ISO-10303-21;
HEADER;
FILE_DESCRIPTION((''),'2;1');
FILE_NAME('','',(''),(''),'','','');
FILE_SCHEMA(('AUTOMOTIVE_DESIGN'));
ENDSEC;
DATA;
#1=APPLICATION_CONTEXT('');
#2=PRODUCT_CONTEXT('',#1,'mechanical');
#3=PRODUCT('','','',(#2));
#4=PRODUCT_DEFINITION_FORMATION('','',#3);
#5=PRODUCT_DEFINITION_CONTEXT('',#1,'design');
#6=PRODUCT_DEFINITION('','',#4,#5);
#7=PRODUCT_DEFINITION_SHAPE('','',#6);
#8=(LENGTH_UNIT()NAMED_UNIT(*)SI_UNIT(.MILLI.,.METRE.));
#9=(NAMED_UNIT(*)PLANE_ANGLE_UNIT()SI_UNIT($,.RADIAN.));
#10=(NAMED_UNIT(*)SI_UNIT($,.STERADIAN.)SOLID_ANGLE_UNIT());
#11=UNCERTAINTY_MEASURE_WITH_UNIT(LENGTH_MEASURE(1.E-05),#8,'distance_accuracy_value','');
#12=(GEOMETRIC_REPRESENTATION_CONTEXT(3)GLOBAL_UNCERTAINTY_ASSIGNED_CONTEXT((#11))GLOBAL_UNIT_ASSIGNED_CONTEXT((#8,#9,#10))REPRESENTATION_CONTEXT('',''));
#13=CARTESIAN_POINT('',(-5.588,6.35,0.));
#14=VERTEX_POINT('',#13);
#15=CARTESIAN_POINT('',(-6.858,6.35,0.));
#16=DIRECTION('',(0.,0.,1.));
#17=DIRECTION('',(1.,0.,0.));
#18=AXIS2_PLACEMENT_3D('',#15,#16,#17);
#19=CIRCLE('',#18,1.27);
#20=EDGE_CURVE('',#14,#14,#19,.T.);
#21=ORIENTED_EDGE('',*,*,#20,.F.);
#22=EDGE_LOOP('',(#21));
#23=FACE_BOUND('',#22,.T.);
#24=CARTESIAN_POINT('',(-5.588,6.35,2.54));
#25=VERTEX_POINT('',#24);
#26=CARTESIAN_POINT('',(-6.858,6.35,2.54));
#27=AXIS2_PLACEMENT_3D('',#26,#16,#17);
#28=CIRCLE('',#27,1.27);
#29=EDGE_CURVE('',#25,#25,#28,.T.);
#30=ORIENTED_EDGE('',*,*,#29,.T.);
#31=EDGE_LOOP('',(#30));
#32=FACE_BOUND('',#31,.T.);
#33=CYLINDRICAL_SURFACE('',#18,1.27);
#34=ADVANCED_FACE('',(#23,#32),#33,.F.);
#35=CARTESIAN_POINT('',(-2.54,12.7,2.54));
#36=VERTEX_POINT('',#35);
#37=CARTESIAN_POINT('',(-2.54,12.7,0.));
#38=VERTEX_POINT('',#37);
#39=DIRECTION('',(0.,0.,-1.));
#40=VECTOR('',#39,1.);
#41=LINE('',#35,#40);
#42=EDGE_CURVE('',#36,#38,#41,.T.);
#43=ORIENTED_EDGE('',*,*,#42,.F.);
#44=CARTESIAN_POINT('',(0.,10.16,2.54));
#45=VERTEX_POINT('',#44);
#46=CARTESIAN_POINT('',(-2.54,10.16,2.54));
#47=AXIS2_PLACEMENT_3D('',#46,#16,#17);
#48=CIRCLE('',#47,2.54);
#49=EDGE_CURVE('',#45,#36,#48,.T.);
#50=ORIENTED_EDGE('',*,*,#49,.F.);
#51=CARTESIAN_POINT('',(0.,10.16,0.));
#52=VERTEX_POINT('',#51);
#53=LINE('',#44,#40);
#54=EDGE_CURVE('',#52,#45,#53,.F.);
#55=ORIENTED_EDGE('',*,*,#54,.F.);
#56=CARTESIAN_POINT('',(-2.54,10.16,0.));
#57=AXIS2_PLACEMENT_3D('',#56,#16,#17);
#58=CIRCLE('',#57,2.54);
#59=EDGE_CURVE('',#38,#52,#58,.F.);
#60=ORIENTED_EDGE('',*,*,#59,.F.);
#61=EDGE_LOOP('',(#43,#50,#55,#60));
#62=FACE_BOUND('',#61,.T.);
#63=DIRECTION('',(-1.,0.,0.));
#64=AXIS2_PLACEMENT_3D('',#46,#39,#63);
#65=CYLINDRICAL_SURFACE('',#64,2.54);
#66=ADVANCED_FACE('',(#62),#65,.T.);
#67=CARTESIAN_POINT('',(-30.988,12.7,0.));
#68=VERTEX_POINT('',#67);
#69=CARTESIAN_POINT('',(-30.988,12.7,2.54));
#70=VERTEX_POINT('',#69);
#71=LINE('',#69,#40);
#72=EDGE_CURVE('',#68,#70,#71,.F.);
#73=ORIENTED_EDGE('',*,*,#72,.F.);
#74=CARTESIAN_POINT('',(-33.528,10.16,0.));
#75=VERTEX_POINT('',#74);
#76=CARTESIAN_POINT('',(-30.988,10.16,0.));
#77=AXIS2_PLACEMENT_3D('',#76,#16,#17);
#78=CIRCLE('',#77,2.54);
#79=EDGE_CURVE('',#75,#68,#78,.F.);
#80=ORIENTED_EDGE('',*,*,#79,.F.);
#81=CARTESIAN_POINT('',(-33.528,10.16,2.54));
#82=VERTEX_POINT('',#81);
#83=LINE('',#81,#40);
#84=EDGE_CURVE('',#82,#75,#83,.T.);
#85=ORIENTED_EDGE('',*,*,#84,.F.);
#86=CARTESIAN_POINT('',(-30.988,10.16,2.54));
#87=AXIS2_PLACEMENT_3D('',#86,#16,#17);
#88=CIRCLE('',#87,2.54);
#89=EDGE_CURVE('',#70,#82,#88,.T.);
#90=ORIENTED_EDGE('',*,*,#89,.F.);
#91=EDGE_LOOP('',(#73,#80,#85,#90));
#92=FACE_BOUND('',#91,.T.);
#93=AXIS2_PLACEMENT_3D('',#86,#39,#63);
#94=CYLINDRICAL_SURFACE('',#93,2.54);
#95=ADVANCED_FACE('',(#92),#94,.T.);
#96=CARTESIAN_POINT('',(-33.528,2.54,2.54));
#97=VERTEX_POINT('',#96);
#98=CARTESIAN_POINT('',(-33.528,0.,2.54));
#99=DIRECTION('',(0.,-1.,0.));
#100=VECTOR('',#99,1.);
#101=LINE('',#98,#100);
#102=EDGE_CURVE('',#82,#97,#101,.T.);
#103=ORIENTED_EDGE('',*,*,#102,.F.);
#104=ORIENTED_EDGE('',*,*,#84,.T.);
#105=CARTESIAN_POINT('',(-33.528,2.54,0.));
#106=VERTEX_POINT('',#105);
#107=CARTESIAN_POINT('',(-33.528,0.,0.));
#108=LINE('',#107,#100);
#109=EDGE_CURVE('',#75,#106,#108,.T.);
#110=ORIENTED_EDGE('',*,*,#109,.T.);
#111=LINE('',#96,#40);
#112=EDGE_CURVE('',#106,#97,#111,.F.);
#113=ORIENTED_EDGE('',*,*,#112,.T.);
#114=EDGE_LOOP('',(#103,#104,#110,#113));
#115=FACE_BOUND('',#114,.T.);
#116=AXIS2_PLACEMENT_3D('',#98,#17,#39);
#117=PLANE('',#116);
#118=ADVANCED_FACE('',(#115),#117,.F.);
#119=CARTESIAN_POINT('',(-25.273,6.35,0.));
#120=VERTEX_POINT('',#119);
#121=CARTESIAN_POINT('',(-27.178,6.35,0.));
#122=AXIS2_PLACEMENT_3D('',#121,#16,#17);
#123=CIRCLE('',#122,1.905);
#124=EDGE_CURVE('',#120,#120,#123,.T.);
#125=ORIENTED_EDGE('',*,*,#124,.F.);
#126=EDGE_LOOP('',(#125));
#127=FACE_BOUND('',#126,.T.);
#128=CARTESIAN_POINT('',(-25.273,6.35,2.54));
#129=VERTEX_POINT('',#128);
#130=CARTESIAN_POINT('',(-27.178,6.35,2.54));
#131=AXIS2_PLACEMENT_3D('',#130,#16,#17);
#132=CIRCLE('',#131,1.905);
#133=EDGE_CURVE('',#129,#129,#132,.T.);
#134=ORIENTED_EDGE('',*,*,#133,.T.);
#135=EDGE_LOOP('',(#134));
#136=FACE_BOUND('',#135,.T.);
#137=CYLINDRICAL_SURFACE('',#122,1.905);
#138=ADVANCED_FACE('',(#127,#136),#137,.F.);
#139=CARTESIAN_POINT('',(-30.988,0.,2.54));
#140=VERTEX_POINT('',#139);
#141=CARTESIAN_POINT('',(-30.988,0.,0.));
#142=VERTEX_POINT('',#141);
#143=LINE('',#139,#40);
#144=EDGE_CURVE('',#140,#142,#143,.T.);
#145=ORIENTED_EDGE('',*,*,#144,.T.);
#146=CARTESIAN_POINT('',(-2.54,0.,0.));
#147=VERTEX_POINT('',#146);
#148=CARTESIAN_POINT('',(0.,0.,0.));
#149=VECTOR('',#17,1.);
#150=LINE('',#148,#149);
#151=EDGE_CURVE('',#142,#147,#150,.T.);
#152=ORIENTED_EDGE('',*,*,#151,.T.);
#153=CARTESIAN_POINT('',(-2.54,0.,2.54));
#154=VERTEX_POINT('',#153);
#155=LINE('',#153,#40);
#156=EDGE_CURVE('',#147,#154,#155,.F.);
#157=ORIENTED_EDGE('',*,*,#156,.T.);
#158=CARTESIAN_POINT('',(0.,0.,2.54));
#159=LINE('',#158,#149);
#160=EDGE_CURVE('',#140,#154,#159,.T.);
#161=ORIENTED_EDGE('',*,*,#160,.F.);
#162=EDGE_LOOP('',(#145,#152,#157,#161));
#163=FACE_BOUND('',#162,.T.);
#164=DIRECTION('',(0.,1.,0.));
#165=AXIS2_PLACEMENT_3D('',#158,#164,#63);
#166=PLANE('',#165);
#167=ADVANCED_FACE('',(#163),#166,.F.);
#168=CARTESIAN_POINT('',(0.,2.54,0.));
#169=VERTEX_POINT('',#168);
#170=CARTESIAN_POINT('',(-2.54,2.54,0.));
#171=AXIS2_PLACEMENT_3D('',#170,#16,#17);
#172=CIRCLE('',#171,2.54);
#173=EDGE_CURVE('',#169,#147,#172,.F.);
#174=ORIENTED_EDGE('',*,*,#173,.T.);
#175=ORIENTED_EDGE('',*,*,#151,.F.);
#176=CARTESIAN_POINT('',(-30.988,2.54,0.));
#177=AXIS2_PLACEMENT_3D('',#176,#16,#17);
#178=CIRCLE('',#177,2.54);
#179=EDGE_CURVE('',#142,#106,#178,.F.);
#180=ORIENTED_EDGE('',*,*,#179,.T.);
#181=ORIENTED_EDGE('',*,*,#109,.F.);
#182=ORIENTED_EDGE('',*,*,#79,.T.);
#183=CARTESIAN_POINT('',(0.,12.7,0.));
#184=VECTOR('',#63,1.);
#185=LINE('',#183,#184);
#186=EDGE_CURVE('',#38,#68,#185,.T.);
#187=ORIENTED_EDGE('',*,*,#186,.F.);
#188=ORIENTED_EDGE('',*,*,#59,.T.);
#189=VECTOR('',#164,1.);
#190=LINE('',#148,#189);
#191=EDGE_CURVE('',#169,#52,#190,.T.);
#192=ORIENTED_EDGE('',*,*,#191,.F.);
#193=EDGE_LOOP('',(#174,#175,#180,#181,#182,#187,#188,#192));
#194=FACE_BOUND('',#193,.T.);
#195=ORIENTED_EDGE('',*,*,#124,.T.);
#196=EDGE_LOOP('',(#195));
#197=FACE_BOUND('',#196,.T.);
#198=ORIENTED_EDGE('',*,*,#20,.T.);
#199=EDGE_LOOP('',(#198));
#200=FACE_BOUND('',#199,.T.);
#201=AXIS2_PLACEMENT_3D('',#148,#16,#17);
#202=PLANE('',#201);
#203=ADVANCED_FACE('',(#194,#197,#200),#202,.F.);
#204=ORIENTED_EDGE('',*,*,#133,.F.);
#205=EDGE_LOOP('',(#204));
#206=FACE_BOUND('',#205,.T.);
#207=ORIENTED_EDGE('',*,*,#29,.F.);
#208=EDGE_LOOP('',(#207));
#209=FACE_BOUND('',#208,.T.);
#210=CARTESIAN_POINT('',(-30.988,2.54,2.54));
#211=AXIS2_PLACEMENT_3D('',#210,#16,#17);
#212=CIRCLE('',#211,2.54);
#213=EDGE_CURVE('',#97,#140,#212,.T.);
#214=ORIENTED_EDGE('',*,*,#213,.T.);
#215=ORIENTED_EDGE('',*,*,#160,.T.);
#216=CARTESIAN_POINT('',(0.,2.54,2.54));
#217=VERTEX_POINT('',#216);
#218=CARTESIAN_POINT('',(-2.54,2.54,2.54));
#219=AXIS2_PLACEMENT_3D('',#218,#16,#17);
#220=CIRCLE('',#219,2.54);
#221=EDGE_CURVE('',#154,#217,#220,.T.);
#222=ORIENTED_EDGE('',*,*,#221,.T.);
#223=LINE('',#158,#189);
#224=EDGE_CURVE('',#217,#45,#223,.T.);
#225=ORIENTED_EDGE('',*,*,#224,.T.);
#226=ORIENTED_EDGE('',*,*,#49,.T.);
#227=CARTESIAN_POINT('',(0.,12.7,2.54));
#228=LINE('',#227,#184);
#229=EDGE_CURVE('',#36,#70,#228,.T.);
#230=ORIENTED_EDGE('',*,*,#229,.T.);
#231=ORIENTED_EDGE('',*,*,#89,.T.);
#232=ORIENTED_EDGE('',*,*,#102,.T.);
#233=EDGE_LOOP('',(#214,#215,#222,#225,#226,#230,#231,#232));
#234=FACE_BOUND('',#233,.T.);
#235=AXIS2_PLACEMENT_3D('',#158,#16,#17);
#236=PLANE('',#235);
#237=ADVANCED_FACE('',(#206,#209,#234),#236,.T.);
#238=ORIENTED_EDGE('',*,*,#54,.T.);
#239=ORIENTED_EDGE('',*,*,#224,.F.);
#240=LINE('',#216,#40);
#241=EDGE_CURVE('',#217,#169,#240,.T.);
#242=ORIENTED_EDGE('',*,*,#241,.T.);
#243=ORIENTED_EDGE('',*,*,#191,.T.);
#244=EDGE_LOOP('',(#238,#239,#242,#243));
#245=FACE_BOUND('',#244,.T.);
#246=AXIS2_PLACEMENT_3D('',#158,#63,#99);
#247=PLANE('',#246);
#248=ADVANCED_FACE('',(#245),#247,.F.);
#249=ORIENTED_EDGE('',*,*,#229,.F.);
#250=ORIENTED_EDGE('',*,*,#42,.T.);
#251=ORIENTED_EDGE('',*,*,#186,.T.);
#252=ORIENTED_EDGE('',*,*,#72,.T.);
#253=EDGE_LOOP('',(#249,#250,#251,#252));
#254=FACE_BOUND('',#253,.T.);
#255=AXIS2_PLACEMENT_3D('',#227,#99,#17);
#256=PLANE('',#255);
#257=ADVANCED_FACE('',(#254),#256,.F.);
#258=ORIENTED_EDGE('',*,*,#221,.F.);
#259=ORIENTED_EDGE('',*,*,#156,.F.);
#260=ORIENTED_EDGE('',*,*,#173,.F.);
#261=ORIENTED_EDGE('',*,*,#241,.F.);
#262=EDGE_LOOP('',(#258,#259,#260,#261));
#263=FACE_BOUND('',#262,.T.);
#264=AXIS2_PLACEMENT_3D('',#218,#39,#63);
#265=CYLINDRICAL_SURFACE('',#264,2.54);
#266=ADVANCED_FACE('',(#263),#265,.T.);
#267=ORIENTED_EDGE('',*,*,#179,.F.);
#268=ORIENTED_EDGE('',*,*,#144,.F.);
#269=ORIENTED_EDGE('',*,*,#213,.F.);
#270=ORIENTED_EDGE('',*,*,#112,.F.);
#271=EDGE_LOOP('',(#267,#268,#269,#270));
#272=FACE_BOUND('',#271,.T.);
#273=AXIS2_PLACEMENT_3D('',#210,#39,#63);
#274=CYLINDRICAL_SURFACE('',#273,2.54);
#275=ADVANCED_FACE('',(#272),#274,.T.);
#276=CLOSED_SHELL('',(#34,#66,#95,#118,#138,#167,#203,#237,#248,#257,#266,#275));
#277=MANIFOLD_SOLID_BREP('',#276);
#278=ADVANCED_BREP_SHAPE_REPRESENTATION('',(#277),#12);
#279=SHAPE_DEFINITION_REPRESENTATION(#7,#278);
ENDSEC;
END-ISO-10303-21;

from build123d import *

# Parameters (mm, degrees)
SKETCH1_W           = 33.528
SKETCH1_H           = 12.7
BOSS_EXTRUDE1_DEPTH = 2.54
FILLET1_R           = 2.54
SKETCH2_R           = 1.905
SKETCH2_R_2         = 1.27
CUT_EXTRUDE1_DEPTH  = 36.942570637


with BuildPart() as part:
    # Sketch1 → Boss-Extrude1 (new body)
    with BuildSketch(Plane.XY):
        with Locations((-16.764, 6.35)):
            Rectangle(SKETCH1_W, SKETCH1_H)
    extrude(amount=BOSS_EXTRUDE1_DEPTH)

    # Fillet1
    fillet1_edges = [part.edges().sort_by_distance(p)[0] for p in [
        (0, 0, 1.27),
        (-33.528, 0, 1.27),
        (-33.528, 12.7, 1.27),
        (0, 12.7, 1.27),
    ]]
    fillet(fillet1_edges, radius=FILLET1_R)

    # Sketch2 → Cut-Extrude1 (cut, through all)
    with BuildSketch(Plane.XY.offset(2.54)):
        with Locations((-27.178, 6.35)):
            Circle(SKETCH2_R)
        with Locations((-6.858, 6.35)):
            Circle(SKETCH2_R_2)
    extrude(amount=-CUT_EXTRUDE1_DEPTH, mode=Mode.SUBTRACT)


solid = part.part
